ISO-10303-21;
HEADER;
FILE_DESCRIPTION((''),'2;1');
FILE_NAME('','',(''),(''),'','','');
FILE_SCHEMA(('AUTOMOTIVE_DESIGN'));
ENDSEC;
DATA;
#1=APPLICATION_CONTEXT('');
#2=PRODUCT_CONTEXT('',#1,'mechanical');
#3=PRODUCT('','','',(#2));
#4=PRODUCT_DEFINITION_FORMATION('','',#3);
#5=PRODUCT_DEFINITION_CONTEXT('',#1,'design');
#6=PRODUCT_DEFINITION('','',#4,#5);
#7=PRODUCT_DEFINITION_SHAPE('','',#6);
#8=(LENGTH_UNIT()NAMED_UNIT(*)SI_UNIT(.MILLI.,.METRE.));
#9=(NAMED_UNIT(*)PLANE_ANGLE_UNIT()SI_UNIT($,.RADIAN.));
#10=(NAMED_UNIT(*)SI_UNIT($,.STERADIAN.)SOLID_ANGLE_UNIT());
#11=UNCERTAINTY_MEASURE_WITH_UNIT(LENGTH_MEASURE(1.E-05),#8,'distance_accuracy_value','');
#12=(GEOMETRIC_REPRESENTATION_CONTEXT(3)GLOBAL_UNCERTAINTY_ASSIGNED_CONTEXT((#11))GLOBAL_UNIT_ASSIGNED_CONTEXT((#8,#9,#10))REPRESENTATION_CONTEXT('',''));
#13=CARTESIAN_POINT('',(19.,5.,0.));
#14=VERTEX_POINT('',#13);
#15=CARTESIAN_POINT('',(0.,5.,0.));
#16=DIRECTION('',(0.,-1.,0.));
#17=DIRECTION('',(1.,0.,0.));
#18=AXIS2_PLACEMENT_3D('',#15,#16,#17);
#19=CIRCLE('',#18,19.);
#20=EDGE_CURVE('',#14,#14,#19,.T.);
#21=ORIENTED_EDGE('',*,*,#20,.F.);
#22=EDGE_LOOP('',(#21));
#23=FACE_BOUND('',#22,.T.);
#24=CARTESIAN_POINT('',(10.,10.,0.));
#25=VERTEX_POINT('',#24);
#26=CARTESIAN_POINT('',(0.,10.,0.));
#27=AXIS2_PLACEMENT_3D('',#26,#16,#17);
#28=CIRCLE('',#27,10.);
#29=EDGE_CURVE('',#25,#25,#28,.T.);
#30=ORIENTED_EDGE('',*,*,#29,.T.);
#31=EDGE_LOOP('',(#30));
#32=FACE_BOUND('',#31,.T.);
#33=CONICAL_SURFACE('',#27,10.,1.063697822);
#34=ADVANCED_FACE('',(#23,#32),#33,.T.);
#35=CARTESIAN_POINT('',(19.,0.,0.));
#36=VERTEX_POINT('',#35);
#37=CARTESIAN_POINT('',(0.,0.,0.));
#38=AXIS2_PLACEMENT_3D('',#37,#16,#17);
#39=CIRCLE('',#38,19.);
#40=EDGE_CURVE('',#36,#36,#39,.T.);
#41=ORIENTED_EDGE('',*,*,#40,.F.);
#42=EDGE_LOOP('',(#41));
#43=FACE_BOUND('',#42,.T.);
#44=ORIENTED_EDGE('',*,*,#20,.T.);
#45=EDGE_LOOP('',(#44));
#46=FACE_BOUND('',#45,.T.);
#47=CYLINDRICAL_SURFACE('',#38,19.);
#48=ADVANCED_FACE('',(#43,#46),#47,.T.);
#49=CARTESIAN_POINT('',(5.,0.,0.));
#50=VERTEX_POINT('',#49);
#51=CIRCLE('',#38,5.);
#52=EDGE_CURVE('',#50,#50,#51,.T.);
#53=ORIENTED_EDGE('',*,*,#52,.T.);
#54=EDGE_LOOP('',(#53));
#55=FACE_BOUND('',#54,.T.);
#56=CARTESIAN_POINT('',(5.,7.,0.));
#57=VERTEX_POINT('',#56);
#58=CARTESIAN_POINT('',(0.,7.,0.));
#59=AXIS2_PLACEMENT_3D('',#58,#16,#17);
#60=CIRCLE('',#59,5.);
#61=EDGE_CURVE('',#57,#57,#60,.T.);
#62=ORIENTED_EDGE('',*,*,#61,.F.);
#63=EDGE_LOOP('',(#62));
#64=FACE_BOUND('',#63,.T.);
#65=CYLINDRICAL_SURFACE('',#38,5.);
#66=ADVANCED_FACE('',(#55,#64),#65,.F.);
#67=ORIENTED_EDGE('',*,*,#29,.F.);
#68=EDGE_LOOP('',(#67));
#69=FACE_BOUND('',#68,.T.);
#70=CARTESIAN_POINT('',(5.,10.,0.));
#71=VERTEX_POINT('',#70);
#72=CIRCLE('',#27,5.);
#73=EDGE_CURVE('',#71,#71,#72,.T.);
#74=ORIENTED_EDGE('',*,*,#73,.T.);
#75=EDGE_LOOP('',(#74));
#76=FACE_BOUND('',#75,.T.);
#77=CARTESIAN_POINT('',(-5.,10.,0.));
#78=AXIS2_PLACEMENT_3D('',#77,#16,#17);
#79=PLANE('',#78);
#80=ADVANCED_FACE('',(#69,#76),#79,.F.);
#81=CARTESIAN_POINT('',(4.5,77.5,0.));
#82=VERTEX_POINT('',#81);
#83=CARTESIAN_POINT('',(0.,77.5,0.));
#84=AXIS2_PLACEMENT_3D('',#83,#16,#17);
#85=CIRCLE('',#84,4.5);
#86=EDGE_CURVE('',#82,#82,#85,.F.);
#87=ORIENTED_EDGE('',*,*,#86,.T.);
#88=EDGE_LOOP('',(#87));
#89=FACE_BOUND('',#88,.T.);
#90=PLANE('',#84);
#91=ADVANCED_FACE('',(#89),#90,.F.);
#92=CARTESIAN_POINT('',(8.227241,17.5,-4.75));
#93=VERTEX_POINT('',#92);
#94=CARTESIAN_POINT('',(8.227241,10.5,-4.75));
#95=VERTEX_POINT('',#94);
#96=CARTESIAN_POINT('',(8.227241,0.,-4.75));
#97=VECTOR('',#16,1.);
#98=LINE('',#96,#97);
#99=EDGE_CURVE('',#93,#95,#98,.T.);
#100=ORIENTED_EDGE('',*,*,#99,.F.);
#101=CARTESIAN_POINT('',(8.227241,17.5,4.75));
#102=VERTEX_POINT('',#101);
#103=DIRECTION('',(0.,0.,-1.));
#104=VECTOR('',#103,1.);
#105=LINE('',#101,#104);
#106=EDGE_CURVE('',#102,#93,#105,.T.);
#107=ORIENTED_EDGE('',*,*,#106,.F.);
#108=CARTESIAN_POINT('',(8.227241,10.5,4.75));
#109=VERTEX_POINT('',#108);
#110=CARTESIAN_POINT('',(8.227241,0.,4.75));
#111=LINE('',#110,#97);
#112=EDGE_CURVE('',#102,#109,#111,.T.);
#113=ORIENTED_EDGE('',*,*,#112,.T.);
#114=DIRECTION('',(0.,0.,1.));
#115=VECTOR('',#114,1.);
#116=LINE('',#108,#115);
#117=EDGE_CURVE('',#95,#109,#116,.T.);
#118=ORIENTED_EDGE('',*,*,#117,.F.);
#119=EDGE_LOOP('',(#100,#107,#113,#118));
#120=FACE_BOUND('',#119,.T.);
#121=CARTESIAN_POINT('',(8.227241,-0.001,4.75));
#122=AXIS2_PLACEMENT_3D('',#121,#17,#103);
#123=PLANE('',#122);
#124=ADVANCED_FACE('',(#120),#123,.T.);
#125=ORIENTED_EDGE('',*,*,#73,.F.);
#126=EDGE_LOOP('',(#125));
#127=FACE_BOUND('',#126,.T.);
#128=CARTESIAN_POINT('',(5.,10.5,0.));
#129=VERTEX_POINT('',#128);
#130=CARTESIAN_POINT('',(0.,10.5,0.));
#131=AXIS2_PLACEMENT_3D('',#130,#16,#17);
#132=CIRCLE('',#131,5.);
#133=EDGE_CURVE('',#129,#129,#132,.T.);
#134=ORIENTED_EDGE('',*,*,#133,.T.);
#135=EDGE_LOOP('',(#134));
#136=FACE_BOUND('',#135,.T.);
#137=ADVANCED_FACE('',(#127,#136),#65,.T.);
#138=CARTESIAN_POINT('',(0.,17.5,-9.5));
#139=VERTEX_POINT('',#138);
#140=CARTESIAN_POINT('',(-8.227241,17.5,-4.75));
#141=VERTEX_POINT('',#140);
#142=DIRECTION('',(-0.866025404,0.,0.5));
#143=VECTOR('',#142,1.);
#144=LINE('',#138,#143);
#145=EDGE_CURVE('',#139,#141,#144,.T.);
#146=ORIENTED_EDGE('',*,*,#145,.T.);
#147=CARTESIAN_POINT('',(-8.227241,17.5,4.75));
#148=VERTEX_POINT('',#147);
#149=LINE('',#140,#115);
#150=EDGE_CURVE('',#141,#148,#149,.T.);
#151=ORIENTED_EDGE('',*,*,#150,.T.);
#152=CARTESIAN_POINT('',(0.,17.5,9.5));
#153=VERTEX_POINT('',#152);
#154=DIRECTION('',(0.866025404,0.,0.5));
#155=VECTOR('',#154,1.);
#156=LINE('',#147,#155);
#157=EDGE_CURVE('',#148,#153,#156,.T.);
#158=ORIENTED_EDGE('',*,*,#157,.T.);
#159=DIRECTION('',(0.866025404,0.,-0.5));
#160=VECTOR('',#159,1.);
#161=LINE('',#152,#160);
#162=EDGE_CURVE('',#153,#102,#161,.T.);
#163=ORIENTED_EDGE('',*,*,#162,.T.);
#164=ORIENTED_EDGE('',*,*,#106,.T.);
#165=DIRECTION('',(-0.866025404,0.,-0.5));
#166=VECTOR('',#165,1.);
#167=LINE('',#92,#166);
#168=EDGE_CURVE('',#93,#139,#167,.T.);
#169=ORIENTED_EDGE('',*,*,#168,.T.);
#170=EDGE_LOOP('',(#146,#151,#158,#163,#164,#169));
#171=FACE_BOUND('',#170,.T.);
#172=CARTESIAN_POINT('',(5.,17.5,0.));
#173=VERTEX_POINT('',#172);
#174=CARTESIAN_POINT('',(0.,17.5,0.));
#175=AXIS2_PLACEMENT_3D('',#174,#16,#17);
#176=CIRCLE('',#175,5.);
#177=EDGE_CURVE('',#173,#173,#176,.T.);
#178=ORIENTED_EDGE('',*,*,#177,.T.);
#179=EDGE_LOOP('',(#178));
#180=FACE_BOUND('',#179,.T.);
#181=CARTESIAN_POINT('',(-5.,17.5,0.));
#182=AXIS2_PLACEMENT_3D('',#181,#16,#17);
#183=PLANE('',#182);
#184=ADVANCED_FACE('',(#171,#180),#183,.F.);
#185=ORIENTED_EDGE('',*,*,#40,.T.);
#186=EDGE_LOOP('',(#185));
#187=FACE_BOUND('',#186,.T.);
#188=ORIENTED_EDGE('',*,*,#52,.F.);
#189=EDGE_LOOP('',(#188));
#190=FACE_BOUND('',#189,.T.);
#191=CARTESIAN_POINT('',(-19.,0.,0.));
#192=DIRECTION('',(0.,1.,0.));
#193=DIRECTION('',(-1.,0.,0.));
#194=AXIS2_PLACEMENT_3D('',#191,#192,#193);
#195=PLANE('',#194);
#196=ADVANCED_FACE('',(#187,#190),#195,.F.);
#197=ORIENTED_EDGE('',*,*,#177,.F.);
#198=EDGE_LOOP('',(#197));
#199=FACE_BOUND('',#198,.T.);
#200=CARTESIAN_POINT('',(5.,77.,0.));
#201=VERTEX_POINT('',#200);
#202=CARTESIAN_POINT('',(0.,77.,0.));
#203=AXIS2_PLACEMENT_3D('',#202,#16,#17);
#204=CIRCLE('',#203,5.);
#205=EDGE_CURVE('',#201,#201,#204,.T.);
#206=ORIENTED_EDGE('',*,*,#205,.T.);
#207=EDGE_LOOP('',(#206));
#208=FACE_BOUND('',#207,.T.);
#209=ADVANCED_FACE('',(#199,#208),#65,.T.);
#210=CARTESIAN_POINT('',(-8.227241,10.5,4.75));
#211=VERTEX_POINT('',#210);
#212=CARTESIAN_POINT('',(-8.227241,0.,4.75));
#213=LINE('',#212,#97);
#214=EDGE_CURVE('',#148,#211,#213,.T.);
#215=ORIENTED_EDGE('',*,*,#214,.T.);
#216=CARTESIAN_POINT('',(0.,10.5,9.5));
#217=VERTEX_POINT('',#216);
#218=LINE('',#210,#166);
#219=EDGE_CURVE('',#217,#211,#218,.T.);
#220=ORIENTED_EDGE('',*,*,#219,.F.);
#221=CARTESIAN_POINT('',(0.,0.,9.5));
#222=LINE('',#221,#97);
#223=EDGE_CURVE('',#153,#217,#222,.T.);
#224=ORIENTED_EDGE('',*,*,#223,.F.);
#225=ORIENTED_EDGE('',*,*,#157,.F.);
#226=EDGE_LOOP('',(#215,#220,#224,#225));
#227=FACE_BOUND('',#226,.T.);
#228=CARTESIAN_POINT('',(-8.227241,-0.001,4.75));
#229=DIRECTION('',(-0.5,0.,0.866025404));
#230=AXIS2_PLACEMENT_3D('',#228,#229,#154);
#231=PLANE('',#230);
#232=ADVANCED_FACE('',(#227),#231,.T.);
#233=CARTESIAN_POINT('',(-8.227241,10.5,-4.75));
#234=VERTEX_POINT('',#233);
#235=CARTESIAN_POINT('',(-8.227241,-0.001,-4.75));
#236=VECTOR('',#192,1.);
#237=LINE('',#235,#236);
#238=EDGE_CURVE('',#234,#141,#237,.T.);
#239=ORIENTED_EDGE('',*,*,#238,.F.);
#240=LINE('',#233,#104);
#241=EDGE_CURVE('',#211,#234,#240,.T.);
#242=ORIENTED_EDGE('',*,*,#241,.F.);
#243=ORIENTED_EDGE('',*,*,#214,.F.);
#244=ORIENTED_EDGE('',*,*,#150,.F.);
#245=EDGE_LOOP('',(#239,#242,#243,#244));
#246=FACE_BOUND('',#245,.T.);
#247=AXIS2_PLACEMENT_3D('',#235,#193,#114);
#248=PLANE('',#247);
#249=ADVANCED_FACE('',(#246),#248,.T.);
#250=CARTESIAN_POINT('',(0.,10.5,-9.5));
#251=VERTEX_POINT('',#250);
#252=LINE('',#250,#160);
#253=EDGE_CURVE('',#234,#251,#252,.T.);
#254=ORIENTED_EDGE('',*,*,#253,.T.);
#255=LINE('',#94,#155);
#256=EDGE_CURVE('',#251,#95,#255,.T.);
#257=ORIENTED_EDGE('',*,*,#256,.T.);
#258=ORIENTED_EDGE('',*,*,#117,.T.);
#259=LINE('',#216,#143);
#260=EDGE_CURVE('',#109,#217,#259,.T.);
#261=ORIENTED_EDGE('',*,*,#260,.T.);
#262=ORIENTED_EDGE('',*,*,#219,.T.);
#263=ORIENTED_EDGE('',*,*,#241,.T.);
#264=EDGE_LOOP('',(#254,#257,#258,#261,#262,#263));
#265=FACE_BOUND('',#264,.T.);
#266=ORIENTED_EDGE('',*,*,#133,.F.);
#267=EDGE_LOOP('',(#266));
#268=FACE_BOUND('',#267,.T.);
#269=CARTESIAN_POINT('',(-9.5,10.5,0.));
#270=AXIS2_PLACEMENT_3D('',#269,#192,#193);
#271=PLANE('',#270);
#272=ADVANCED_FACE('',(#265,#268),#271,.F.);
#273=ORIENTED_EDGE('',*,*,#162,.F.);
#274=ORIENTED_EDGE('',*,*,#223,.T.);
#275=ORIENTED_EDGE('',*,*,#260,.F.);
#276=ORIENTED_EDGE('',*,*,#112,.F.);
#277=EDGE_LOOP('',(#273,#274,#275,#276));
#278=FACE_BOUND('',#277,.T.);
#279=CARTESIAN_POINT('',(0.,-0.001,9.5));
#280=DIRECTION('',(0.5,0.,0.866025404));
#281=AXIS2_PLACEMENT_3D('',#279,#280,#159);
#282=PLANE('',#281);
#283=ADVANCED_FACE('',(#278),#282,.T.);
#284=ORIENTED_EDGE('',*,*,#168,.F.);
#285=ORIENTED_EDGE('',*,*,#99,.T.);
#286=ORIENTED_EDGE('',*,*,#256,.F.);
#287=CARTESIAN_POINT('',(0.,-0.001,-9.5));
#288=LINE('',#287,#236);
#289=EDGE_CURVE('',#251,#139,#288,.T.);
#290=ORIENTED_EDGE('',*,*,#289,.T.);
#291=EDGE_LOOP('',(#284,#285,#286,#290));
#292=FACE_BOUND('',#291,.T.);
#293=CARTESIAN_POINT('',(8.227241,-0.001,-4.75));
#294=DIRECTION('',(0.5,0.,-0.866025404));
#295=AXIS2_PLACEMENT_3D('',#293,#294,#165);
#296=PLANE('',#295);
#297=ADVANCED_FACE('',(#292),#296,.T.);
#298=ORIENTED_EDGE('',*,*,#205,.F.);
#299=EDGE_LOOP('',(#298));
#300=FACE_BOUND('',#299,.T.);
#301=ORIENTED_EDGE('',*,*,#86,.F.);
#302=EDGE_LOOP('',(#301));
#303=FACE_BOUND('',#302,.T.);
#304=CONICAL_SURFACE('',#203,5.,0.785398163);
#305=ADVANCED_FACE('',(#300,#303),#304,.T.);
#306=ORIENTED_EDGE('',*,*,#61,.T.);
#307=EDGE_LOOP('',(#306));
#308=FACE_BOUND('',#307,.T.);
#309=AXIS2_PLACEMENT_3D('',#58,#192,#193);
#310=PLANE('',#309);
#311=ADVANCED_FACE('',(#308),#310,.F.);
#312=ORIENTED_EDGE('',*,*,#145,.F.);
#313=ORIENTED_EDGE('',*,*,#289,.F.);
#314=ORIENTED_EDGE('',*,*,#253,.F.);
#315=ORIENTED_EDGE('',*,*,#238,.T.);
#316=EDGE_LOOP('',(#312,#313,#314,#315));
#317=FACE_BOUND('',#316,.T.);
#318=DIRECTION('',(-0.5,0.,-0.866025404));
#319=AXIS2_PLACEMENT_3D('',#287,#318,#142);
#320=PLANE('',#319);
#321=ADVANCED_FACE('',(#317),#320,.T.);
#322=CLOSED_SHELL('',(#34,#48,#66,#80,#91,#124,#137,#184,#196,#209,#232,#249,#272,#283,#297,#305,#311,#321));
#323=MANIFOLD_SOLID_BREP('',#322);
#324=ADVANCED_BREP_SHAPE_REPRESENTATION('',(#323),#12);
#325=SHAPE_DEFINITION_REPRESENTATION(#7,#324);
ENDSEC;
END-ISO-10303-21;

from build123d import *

# Parameters (mm, degrees)
CHAMFER_1_SIZE      = 0.5
CUT_EXTRUDE_START   = -7
SKETCH_2_R          = 12.139773641
CUT_EXTRUDE_1_DEPTH = 7


with BuildPart() as part:
    # Эскиз1 → Повернуть1 (revolve)
    with BuildSketch(Plane.XY, mode=Mode.PRIVATE) as revolve_1_sk:
        Polygon((0, 77.5), (-5, 77.5), (-5, 17.5), (-9.5, 17.5), (-9.5, 10.5), (-5, 10.5), (-5, 10), (-10, 10), (-19, 5), (-19, 0), (-5, 0), (-5, 7), (0, 7), align=None)
    revolve(revolve_1_sk.sketch.rotate(Axis((0, 0, 0), (0, 1, 0)), 180), axis=Axis((0, 0, 0), (0, 1, 0)))  # turned: the seam where the file's is

    # Фаска1
    chamfer_1_edges = [part.edges().sort_by_distance(p)[0] for p in [
        (-5, 77.5, 0),
    ]]
    chamfer(chamfer_1_edges, length=CHAMFER_1_SIZE)

    # Эскиз2 → Вырез-Вытянуть1 (cut)
    with BuildSketch(Plane(origin=(0, 17.5, 0), x_dir=(1, 0, 0), z_dir=(0, 1, 0)).offset(CUT_EXTRUDE_START)):
        Circle(SKETCH_2_R)
        Polygon((0, 9.5), (-8.227241336, 4.75), (-8.227241336, -4.75), (0, -9.5), (8.227241336, -4.75), (8.227241336, 4.75), align=None, mode=Mode.SUBTRACT)
    extrude(amount=CUT_EXTRUDE_1_DEPTH, mode=Mode.SUBTRACT)


solid = part.part
